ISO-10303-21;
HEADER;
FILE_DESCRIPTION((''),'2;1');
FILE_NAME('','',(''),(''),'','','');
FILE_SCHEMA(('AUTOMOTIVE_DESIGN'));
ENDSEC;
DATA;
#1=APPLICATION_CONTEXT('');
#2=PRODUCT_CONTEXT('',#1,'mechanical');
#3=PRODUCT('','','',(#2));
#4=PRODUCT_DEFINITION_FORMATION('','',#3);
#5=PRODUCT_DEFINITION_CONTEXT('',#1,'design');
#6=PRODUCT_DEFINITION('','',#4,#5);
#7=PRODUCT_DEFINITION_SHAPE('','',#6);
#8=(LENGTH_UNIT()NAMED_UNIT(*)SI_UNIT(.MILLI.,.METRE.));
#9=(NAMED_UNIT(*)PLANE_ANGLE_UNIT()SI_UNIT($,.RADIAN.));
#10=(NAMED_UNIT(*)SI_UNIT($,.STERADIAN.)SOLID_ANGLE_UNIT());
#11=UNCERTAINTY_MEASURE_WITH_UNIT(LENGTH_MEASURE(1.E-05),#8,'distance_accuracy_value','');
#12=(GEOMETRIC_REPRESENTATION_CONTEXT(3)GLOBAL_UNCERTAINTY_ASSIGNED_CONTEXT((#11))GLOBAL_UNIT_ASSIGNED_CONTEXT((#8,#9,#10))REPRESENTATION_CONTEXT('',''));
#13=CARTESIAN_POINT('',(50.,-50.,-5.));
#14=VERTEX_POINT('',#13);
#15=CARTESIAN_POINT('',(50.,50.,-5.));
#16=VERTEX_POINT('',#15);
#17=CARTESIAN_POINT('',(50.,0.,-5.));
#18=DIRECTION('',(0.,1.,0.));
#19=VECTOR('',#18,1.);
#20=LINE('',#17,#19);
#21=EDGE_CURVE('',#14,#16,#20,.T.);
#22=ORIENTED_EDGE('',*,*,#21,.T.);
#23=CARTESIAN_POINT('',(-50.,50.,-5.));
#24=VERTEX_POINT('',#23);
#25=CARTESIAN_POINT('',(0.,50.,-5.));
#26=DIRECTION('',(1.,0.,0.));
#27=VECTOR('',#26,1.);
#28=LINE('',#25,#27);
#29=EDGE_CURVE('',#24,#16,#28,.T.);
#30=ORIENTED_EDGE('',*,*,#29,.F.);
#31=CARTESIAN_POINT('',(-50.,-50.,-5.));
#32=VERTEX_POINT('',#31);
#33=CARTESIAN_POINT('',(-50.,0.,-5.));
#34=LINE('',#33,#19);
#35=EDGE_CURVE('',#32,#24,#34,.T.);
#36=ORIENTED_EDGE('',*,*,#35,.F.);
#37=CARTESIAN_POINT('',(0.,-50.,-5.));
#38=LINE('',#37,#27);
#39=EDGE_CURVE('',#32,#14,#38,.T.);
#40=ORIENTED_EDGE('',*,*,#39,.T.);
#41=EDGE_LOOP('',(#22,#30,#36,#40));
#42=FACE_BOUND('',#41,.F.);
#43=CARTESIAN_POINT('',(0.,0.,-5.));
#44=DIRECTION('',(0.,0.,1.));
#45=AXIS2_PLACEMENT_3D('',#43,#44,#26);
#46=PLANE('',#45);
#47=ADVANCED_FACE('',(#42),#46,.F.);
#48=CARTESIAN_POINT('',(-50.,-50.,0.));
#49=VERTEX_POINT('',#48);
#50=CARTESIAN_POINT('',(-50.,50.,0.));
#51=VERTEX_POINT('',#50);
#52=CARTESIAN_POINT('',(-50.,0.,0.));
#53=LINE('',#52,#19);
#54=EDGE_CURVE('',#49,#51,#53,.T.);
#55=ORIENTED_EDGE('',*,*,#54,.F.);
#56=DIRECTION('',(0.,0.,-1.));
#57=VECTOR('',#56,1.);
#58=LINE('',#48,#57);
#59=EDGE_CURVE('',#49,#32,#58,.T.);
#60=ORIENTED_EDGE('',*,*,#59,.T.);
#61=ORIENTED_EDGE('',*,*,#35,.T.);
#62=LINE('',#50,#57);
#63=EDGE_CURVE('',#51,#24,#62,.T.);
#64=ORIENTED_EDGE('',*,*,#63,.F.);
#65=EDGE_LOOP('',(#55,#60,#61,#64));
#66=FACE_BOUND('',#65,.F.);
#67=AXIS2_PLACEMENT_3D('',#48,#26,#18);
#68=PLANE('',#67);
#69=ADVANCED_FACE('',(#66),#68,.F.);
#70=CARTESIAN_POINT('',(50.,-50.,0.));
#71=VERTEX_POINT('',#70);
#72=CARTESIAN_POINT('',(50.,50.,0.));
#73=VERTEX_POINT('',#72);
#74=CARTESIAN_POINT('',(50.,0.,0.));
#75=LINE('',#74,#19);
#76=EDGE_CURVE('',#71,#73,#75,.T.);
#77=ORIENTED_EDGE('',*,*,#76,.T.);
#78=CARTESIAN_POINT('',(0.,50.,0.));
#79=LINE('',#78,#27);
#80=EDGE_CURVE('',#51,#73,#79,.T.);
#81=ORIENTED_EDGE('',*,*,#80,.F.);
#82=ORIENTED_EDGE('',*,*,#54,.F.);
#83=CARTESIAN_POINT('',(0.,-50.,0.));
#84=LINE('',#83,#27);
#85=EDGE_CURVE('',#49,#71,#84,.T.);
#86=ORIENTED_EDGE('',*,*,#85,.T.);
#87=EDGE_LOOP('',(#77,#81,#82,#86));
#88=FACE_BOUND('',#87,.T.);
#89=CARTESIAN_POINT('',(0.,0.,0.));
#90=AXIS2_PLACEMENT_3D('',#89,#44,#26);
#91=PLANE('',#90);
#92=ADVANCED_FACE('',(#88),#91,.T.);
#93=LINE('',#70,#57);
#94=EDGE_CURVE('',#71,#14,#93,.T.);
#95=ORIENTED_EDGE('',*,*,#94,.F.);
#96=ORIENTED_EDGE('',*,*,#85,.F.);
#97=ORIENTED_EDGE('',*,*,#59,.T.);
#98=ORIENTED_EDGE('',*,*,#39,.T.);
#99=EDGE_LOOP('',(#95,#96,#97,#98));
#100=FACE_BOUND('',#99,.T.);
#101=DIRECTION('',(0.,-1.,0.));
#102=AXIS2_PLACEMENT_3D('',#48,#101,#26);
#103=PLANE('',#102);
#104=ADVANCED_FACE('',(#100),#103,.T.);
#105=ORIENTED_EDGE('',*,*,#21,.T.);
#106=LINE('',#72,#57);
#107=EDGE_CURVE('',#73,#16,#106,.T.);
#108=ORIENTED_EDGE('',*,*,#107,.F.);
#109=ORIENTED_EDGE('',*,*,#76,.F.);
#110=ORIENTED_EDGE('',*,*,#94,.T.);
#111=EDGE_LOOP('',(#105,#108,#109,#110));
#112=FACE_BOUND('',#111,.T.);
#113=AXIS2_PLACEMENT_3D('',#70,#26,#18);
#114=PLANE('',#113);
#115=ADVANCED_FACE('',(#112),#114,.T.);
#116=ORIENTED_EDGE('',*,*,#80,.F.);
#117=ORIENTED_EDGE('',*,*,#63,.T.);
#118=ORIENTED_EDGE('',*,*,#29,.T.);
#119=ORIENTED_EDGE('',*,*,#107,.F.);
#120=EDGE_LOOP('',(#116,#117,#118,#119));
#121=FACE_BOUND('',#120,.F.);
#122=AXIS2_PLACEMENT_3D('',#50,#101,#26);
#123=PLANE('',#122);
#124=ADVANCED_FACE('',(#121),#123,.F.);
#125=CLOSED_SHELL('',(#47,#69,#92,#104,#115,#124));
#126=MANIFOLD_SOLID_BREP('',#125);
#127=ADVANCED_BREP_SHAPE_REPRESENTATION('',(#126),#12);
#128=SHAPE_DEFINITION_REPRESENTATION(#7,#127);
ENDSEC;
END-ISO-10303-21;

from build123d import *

# Parameters (mm, degrees)
F0_W     = 100
F0_H     = 100
F1_DEPTH = 5


with BuildPart() as f1:
    # F0 (on Top) → F1 (new body)
    with BuildSketch(Plane.XY):
        Rectangle(F0_W, F0_H)
    extrude(amount=-F1_DEPTH)


solid = f1.part
